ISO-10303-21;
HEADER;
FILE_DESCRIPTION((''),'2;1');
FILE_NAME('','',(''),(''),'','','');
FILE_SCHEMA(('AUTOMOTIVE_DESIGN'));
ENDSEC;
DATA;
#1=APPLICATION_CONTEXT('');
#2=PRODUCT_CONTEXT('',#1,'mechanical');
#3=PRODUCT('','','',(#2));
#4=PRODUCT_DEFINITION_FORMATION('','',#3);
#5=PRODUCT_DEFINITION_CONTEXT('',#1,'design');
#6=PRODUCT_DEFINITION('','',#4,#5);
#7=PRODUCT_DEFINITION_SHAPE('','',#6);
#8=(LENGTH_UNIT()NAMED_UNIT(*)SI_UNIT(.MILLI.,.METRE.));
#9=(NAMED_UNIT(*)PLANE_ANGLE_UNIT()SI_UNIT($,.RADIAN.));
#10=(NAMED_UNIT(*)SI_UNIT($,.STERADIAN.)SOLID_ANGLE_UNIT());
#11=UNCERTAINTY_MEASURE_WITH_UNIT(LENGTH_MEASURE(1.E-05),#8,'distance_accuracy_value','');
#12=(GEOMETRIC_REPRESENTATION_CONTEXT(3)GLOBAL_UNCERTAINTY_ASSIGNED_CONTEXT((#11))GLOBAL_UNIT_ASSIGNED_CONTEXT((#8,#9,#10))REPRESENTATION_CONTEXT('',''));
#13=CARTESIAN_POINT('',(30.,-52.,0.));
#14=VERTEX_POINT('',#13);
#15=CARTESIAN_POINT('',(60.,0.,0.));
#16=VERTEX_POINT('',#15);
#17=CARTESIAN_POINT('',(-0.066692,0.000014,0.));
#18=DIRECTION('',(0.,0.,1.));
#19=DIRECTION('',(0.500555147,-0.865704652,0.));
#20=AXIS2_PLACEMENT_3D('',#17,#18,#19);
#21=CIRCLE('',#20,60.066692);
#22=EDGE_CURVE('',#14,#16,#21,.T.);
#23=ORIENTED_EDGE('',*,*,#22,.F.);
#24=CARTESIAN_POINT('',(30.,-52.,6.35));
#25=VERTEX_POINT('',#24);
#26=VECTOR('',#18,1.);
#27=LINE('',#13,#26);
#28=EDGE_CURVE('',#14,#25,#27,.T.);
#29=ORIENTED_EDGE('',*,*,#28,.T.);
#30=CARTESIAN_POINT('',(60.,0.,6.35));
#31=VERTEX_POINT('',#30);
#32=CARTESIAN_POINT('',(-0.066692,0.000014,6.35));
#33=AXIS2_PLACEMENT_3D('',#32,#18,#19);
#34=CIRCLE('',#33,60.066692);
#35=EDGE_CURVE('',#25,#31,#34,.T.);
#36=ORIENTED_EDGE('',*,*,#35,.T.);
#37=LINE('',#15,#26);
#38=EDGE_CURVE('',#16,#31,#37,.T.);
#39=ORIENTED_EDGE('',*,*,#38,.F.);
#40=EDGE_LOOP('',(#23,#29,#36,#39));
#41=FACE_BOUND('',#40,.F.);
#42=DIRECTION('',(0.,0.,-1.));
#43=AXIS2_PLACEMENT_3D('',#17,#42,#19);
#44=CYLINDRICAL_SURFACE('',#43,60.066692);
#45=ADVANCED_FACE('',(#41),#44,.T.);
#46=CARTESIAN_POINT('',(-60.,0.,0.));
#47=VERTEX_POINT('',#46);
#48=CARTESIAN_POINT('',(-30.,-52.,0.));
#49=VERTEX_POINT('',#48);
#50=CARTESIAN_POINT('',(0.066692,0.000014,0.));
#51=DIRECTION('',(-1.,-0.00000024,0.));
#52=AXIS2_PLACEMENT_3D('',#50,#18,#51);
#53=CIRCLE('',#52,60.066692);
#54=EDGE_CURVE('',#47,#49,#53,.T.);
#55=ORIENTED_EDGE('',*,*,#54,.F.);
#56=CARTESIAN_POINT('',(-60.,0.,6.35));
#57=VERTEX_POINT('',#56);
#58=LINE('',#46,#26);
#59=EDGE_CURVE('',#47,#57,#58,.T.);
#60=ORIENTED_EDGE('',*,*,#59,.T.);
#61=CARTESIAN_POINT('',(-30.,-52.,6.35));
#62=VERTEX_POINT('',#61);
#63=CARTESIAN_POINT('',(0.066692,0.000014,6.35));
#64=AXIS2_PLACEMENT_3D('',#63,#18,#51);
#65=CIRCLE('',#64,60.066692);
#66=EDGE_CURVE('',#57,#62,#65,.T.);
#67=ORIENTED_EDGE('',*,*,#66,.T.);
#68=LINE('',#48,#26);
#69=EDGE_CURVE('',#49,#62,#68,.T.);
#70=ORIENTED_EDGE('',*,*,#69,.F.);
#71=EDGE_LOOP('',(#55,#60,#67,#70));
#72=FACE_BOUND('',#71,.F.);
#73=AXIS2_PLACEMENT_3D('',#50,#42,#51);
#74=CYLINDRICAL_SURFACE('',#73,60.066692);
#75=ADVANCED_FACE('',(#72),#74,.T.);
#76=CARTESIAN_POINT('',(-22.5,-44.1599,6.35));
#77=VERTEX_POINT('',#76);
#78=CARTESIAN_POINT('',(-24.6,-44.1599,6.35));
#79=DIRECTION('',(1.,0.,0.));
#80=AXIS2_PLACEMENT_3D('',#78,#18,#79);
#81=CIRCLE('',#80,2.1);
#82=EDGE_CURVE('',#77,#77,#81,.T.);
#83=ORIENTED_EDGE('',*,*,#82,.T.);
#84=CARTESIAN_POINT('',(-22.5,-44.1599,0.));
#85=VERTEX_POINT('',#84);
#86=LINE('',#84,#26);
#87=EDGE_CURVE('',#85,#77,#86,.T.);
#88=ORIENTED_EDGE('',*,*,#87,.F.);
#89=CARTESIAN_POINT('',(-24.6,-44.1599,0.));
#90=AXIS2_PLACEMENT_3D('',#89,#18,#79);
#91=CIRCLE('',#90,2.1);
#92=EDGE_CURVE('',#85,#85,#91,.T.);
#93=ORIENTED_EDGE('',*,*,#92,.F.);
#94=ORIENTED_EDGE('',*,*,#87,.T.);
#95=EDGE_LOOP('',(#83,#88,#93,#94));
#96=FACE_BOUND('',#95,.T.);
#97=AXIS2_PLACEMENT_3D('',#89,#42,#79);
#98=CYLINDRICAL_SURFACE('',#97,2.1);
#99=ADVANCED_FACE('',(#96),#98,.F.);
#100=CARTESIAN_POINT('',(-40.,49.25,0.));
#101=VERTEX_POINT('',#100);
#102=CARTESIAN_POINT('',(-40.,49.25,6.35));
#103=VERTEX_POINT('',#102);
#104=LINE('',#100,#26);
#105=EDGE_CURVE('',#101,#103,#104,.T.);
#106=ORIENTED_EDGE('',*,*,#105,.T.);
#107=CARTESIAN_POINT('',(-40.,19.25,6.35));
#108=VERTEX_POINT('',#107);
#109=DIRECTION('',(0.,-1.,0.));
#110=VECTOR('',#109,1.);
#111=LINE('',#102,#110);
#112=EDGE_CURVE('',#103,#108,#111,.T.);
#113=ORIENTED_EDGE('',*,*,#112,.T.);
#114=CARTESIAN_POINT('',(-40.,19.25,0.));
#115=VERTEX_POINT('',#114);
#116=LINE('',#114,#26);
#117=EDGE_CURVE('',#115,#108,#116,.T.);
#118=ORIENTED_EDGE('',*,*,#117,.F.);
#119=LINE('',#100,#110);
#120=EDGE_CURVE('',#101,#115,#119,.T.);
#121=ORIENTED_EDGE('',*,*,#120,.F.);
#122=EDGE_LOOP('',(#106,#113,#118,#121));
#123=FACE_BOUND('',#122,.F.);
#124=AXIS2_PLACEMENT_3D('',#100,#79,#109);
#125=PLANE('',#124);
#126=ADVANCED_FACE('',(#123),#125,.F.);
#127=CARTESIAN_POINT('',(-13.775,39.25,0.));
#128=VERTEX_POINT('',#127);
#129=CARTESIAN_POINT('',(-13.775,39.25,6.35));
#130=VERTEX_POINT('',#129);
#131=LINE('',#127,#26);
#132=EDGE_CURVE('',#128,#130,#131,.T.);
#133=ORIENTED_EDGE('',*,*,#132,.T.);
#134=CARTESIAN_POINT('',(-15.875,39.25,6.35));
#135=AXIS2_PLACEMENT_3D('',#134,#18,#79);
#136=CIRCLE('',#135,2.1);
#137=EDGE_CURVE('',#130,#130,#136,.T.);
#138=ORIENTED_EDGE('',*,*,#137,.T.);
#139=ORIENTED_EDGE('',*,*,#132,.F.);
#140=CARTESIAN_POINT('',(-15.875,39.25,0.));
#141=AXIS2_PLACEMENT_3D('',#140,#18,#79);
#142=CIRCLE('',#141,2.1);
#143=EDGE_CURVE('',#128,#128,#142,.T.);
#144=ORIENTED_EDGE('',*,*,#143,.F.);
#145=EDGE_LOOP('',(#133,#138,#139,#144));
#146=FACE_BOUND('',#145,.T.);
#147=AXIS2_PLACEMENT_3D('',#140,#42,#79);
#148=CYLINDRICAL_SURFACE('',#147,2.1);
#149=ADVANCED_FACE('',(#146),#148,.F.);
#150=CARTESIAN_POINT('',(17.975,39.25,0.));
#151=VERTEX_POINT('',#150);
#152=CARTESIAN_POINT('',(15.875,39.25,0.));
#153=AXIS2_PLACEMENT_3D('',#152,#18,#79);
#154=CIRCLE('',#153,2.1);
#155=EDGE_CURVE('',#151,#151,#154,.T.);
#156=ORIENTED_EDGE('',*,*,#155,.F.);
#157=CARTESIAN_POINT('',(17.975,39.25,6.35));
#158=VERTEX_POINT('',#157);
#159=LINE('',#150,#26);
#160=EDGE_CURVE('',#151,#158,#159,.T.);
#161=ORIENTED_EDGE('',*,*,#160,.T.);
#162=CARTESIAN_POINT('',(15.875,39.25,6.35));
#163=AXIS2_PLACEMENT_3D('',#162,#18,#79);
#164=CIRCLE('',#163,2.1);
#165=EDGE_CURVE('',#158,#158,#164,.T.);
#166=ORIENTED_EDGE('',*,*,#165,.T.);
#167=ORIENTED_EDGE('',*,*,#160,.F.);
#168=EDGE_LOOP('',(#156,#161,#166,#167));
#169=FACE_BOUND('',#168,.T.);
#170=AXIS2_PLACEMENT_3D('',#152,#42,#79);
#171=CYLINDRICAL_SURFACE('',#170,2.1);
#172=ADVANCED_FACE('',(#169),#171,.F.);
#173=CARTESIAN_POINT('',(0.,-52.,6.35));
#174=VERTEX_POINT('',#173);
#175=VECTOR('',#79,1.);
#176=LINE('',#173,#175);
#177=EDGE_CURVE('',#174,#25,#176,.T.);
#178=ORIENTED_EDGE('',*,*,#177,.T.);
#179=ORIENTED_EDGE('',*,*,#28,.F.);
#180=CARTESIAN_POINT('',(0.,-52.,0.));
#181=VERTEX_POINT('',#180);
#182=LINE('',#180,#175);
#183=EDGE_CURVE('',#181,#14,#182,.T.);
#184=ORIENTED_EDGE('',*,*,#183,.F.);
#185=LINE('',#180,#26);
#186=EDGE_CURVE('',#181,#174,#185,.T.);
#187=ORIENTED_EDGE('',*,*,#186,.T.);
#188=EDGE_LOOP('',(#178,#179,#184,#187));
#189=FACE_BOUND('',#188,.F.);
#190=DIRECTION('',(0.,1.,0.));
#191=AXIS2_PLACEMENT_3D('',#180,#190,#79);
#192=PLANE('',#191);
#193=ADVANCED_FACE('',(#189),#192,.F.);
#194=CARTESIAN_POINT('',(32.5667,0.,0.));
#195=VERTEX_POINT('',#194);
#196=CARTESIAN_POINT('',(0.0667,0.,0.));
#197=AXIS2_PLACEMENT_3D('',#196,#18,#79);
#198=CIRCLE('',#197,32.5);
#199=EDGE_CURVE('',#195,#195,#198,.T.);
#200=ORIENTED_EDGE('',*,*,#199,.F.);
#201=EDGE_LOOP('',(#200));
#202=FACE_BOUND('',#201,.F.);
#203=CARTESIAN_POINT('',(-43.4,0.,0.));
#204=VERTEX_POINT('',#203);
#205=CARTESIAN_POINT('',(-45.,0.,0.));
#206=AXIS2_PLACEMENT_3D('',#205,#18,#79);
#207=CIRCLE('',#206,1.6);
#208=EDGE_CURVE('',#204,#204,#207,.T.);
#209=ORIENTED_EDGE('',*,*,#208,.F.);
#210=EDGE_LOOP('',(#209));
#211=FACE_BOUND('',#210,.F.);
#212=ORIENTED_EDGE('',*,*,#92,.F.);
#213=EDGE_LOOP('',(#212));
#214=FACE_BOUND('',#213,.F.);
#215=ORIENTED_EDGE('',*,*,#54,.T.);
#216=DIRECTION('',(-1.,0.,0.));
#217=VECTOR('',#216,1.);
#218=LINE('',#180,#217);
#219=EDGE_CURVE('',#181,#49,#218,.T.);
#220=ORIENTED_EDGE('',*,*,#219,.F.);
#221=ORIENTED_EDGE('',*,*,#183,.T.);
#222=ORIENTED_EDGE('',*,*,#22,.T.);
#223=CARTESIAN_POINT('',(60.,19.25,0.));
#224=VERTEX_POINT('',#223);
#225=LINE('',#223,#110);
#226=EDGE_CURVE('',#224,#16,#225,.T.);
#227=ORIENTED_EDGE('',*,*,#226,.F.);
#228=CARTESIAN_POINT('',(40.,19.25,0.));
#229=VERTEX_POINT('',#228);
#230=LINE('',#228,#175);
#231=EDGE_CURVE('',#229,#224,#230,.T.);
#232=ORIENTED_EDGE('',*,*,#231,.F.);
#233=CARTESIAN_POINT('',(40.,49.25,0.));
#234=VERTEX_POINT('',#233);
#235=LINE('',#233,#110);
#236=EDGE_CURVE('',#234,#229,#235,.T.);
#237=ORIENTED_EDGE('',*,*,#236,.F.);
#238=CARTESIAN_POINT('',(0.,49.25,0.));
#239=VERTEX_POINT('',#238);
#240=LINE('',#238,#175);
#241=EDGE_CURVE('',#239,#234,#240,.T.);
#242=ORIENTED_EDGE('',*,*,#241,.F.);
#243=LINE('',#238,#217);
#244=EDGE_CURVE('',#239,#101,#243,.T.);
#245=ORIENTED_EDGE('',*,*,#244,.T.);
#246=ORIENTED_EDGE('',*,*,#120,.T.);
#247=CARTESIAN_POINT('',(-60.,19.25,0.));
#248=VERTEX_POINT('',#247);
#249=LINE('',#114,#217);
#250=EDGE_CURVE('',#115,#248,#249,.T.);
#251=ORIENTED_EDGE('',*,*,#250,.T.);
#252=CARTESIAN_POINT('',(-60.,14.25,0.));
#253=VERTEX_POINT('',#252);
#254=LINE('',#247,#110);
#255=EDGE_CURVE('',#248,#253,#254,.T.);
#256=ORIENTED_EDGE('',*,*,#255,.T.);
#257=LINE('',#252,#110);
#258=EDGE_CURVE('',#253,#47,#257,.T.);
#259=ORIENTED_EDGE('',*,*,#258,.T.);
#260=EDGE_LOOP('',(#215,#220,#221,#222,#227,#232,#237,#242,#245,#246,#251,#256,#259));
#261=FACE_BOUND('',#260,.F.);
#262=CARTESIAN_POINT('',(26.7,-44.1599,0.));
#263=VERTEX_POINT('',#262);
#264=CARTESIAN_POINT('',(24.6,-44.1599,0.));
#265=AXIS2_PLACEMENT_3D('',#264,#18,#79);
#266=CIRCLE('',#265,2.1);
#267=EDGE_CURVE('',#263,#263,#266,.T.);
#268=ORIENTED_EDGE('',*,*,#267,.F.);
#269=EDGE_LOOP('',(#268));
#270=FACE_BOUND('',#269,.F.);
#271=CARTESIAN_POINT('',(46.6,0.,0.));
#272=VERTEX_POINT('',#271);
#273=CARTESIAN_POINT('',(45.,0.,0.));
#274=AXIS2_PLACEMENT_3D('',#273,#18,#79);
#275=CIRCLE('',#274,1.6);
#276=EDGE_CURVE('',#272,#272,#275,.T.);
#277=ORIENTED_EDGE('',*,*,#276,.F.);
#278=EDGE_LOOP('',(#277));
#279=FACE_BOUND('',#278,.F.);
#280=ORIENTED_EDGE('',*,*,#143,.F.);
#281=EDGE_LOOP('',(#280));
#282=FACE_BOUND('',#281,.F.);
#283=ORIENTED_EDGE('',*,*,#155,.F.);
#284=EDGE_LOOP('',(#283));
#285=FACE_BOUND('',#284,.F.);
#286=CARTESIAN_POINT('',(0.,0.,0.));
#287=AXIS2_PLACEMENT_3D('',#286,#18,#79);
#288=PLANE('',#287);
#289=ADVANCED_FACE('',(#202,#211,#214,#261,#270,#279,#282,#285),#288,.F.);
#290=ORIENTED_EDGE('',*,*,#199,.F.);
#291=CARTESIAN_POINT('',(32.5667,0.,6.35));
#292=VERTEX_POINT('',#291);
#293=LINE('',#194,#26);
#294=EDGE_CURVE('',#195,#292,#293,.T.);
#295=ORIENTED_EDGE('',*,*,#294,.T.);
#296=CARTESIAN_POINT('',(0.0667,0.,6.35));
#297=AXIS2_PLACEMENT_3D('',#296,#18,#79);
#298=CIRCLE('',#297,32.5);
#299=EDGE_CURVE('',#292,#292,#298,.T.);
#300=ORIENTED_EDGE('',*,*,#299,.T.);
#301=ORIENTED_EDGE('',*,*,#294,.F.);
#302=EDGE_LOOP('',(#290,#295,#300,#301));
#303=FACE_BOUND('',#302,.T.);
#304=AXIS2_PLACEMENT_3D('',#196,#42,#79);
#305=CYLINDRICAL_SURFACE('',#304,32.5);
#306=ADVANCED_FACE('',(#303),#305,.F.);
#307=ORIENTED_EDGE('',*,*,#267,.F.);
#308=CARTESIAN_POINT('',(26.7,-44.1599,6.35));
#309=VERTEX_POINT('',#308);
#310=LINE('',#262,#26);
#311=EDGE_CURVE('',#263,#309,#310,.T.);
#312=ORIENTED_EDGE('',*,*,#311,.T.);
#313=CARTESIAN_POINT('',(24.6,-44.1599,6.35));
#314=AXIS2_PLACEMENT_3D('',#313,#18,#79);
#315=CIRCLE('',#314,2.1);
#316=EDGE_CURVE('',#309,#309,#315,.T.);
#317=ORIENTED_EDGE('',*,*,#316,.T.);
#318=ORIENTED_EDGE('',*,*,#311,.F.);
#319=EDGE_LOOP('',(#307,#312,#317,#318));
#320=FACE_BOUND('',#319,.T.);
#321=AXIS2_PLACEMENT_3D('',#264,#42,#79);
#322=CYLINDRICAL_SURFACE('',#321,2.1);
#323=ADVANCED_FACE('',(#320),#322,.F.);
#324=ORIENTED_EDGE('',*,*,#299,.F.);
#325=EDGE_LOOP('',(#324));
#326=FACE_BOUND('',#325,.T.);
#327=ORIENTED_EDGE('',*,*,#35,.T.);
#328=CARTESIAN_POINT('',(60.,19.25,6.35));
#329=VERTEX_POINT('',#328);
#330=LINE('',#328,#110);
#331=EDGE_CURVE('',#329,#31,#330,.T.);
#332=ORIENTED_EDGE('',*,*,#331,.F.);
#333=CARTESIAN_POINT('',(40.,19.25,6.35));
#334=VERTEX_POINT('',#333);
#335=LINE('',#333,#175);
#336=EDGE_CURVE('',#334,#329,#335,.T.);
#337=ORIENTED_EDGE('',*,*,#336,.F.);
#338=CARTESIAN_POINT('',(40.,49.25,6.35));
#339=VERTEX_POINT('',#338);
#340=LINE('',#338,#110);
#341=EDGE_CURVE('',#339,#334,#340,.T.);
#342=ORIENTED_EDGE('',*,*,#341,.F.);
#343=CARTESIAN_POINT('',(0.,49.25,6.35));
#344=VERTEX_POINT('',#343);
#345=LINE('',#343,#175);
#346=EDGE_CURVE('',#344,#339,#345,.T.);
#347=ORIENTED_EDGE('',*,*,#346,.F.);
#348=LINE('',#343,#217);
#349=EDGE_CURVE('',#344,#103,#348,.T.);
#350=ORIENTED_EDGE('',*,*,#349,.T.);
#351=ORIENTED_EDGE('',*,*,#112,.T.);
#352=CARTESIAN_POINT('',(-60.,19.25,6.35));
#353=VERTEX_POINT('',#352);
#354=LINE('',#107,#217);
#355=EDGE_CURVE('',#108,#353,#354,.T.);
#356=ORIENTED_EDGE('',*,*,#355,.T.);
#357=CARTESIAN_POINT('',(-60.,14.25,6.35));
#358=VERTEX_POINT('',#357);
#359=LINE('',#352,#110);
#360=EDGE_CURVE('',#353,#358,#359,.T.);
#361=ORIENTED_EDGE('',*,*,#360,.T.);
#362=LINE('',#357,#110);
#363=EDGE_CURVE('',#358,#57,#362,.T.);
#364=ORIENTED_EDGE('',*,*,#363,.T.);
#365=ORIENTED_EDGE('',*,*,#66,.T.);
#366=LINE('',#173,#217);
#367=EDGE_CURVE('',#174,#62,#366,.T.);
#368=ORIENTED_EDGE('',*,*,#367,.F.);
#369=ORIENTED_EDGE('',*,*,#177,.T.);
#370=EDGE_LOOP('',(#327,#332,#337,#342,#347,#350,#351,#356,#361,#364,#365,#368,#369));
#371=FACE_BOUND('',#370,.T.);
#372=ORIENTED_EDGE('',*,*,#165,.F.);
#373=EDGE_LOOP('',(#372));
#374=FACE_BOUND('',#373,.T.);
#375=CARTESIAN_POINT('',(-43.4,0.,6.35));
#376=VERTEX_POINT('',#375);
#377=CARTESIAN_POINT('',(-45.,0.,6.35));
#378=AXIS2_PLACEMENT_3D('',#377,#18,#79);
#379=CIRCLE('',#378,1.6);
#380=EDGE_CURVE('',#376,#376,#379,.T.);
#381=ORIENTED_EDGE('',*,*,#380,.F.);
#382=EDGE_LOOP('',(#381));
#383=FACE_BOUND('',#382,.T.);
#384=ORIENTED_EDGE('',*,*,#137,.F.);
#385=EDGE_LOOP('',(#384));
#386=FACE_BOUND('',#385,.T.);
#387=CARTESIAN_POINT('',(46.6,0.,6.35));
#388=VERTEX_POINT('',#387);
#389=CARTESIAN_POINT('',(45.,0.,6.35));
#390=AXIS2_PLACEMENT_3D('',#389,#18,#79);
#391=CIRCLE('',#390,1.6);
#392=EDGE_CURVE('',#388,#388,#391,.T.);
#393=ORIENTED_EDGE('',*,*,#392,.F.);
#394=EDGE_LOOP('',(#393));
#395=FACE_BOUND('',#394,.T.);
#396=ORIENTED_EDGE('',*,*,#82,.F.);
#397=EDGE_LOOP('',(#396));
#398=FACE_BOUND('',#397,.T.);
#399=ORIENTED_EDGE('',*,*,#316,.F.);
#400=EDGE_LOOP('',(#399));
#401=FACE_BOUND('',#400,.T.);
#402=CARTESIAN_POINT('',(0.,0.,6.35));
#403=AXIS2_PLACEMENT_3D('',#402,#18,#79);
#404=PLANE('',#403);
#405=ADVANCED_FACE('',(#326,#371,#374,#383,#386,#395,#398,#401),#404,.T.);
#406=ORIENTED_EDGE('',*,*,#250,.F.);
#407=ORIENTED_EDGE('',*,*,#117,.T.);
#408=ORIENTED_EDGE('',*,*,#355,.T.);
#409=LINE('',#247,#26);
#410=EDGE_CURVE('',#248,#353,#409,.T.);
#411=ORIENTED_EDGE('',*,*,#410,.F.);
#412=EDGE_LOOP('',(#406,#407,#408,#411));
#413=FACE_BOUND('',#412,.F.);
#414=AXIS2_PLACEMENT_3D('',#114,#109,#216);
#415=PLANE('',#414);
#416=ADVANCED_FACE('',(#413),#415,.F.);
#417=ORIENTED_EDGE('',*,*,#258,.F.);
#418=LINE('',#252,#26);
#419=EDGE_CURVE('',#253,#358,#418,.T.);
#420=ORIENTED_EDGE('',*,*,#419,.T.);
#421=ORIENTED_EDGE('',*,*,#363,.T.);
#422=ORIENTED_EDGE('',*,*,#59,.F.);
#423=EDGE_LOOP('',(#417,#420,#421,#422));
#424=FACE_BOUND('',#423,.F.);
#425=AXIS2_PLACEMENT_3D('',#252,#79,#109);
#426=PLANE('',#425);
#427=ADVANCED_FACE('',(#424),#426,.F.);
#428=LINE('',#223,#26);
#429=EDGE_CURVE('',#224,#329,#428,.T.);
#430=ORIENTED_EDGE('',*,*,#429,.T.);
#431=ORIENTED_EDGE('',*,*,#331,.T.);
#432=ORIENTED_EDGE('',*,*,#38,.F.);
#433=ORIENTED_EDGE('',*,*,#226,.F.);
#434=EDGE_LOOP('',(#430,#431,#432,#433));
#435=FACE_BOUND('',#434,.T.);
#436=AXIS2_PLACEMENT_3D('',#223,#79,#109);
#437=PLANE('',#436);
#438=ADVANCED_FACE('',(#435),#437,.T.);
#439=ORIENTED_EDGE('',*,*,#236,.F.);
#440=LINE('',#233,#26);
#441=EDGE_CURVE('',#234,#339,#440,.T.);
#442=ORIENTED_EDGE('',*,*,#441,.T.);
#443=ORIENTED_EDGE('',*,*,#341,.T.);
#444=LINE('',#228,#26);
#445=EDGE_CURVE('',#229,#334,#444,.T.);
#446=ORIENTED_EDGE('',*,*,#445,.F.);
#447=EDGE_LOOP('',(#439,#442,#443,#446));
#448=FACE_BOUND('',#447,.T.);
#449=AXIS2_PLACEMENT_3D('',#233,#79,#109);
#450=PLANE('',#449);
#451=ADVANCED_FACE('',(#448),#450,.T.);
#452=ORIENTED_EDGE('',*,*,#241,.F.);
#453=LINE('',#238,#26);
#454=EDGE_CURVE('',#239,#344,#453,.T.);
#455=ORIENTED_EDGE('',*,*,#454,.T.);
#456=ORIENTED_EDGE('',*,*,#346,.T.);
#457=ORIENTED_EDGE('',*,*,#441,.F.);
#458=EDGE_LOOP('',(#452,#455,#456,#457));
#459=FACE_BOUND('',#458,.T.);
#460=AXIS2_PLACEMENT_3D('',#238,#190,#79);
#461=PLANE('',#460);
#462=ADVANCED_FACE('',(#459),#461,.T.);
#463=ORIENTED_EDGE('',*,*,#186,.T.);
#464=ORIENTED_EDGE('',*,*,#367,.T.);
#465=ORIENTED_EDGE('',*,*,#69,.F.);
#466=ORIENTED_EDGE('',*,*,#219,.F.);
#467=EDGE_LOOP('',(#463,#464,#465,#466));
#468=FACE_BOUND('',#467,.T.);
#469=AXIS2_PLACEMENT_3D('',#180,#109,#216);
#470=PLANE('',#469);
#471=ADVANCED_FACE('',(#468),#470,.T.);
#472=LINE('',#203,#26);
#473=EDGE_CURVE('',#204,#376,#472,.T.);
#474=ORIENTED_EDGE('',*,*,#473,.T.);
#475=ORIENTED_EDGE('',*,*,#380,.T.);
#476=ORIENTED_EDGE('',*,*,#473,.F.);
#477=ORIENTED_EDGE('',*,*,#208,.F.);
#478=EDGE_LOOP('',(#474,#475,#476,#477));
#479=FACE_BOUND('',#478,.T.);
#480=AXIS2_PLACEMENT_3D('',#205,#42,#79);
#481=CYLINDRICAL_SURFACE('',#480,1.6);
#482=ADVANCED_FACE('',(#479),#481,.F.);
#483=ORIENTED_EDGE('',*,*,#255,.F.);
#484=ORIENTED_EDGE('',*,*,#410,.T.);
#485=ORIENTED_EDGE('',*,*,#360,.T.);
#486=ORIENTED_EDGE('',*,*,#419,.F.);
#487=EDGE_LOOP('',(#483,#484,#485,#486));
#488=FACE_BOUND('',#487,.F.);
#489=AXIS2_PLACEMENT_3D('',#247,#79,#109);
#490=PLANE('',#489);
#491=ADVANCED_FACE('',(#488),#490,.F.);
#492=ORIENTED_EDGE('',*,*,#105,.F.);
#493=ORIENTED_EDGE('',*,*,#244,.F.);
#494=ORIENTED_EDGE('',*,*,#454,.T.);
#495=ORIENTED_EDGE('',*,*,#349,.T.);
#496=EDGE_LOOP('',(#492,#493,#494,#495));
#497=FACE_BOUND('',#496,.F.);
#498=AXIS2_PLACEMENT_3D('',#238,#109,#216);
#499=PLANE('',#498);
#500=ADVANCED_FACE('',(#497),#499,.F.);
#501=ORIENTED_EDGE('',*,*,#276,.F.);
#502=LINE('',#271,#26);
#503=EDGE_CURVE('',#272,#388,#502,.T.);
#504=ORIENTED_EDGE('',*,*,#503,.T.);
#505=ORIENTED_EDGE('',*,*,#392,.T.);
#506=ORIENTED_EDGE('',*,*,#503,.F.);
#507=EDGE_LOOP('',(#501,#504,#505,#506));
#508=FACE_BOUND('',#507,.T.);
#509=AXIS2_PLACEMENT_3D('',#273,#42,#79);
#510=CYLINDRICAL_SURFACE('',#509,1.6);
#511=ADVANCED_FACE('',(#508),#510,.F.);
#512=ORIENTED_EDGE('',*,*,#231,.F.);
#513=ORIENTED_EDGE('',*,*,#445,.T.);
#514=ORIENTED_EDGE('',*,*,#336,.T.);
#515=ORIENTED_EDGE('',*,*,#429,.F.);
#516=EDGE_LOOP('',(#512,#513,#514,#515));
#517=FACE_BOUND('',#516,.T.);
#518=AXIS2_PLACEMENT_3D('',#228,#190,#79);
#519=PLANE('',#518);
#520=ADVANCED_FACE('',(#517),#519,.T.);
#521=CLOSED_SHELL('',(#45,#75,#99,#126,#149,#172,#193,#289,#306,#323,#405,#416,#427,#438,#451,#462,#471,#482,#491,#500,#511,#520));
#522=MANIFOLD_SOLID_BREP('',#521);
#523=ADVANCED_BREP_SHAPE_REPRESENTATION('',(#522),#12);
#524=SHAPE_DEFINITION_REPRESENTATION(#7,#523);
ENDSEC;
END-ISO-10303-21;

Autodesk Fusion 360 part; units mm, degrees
sketch "Sketch1" plane through (0, 0, 0) normal (0, 0, 1) x (1, 0, 0)
  line L0 (0, 49.25) -> (40, 49.25)
  line L1 (40, 49.25) -> (40, 19.25)
  line L2 (40, 19.25) -> (60, 19.25)
  line L3 (60, 19.25) -> (60, 0)
  line L4 (0, -52) -> (30, -52)
  arc A0 (30, -52) -> (60, 0) centre (-0.0667, 0) ccw
  circle A1 centre (15.875, 39.25) radius 2.1
  circle A2 centre (45, 0) radius 1.6
  circle A3 centre (24.6, -44.1599) radius 2.1
  circle A4 centre (-45, 0) radius 1.6
  line L5 (-60, 14.25) -> (-60, 0)
  arc A5 (-60, 0) -> (-30, -52) centre (0.0667, 0) ccw
  line L6 (0, -52) -> (-30, -52)
  line L7 (0, 49.25) -> (-40, 49.25)
  circle A6 centre (0.0667, 0) radius 32.5
  line L8 (-40, 49.25) -> (-40, 19.25)
  line L9 (-40, 19.25) -> (-60, 19.25)
  line L10 (-60, 19.25) -> (-60, 14.25)
  circle A7 centre (-24.6, -44.1599) radius 2.1
  circle A8 centre (-15.875, 39.25) radius 2.1
  dimension "d1" = 49.25
  dimension "d2" = 40
  dimension "d3" = 30
  dimension "d4" = 20
  dimension "d5" = 52
  dimension "d6" = 30
  dimension "d12" = 4.2
  dimension "d13" = 45
  dimension "d14" = 3.2
  dimension "d17" = 4.2
  dimension "d20" = 65
  dimension "d23" = 30
  dimension "d24" = 4.2
  dimension "d25" = 4.2
extrude "Extrude4" add sketch "Sketch1" along normal blind 6.35
